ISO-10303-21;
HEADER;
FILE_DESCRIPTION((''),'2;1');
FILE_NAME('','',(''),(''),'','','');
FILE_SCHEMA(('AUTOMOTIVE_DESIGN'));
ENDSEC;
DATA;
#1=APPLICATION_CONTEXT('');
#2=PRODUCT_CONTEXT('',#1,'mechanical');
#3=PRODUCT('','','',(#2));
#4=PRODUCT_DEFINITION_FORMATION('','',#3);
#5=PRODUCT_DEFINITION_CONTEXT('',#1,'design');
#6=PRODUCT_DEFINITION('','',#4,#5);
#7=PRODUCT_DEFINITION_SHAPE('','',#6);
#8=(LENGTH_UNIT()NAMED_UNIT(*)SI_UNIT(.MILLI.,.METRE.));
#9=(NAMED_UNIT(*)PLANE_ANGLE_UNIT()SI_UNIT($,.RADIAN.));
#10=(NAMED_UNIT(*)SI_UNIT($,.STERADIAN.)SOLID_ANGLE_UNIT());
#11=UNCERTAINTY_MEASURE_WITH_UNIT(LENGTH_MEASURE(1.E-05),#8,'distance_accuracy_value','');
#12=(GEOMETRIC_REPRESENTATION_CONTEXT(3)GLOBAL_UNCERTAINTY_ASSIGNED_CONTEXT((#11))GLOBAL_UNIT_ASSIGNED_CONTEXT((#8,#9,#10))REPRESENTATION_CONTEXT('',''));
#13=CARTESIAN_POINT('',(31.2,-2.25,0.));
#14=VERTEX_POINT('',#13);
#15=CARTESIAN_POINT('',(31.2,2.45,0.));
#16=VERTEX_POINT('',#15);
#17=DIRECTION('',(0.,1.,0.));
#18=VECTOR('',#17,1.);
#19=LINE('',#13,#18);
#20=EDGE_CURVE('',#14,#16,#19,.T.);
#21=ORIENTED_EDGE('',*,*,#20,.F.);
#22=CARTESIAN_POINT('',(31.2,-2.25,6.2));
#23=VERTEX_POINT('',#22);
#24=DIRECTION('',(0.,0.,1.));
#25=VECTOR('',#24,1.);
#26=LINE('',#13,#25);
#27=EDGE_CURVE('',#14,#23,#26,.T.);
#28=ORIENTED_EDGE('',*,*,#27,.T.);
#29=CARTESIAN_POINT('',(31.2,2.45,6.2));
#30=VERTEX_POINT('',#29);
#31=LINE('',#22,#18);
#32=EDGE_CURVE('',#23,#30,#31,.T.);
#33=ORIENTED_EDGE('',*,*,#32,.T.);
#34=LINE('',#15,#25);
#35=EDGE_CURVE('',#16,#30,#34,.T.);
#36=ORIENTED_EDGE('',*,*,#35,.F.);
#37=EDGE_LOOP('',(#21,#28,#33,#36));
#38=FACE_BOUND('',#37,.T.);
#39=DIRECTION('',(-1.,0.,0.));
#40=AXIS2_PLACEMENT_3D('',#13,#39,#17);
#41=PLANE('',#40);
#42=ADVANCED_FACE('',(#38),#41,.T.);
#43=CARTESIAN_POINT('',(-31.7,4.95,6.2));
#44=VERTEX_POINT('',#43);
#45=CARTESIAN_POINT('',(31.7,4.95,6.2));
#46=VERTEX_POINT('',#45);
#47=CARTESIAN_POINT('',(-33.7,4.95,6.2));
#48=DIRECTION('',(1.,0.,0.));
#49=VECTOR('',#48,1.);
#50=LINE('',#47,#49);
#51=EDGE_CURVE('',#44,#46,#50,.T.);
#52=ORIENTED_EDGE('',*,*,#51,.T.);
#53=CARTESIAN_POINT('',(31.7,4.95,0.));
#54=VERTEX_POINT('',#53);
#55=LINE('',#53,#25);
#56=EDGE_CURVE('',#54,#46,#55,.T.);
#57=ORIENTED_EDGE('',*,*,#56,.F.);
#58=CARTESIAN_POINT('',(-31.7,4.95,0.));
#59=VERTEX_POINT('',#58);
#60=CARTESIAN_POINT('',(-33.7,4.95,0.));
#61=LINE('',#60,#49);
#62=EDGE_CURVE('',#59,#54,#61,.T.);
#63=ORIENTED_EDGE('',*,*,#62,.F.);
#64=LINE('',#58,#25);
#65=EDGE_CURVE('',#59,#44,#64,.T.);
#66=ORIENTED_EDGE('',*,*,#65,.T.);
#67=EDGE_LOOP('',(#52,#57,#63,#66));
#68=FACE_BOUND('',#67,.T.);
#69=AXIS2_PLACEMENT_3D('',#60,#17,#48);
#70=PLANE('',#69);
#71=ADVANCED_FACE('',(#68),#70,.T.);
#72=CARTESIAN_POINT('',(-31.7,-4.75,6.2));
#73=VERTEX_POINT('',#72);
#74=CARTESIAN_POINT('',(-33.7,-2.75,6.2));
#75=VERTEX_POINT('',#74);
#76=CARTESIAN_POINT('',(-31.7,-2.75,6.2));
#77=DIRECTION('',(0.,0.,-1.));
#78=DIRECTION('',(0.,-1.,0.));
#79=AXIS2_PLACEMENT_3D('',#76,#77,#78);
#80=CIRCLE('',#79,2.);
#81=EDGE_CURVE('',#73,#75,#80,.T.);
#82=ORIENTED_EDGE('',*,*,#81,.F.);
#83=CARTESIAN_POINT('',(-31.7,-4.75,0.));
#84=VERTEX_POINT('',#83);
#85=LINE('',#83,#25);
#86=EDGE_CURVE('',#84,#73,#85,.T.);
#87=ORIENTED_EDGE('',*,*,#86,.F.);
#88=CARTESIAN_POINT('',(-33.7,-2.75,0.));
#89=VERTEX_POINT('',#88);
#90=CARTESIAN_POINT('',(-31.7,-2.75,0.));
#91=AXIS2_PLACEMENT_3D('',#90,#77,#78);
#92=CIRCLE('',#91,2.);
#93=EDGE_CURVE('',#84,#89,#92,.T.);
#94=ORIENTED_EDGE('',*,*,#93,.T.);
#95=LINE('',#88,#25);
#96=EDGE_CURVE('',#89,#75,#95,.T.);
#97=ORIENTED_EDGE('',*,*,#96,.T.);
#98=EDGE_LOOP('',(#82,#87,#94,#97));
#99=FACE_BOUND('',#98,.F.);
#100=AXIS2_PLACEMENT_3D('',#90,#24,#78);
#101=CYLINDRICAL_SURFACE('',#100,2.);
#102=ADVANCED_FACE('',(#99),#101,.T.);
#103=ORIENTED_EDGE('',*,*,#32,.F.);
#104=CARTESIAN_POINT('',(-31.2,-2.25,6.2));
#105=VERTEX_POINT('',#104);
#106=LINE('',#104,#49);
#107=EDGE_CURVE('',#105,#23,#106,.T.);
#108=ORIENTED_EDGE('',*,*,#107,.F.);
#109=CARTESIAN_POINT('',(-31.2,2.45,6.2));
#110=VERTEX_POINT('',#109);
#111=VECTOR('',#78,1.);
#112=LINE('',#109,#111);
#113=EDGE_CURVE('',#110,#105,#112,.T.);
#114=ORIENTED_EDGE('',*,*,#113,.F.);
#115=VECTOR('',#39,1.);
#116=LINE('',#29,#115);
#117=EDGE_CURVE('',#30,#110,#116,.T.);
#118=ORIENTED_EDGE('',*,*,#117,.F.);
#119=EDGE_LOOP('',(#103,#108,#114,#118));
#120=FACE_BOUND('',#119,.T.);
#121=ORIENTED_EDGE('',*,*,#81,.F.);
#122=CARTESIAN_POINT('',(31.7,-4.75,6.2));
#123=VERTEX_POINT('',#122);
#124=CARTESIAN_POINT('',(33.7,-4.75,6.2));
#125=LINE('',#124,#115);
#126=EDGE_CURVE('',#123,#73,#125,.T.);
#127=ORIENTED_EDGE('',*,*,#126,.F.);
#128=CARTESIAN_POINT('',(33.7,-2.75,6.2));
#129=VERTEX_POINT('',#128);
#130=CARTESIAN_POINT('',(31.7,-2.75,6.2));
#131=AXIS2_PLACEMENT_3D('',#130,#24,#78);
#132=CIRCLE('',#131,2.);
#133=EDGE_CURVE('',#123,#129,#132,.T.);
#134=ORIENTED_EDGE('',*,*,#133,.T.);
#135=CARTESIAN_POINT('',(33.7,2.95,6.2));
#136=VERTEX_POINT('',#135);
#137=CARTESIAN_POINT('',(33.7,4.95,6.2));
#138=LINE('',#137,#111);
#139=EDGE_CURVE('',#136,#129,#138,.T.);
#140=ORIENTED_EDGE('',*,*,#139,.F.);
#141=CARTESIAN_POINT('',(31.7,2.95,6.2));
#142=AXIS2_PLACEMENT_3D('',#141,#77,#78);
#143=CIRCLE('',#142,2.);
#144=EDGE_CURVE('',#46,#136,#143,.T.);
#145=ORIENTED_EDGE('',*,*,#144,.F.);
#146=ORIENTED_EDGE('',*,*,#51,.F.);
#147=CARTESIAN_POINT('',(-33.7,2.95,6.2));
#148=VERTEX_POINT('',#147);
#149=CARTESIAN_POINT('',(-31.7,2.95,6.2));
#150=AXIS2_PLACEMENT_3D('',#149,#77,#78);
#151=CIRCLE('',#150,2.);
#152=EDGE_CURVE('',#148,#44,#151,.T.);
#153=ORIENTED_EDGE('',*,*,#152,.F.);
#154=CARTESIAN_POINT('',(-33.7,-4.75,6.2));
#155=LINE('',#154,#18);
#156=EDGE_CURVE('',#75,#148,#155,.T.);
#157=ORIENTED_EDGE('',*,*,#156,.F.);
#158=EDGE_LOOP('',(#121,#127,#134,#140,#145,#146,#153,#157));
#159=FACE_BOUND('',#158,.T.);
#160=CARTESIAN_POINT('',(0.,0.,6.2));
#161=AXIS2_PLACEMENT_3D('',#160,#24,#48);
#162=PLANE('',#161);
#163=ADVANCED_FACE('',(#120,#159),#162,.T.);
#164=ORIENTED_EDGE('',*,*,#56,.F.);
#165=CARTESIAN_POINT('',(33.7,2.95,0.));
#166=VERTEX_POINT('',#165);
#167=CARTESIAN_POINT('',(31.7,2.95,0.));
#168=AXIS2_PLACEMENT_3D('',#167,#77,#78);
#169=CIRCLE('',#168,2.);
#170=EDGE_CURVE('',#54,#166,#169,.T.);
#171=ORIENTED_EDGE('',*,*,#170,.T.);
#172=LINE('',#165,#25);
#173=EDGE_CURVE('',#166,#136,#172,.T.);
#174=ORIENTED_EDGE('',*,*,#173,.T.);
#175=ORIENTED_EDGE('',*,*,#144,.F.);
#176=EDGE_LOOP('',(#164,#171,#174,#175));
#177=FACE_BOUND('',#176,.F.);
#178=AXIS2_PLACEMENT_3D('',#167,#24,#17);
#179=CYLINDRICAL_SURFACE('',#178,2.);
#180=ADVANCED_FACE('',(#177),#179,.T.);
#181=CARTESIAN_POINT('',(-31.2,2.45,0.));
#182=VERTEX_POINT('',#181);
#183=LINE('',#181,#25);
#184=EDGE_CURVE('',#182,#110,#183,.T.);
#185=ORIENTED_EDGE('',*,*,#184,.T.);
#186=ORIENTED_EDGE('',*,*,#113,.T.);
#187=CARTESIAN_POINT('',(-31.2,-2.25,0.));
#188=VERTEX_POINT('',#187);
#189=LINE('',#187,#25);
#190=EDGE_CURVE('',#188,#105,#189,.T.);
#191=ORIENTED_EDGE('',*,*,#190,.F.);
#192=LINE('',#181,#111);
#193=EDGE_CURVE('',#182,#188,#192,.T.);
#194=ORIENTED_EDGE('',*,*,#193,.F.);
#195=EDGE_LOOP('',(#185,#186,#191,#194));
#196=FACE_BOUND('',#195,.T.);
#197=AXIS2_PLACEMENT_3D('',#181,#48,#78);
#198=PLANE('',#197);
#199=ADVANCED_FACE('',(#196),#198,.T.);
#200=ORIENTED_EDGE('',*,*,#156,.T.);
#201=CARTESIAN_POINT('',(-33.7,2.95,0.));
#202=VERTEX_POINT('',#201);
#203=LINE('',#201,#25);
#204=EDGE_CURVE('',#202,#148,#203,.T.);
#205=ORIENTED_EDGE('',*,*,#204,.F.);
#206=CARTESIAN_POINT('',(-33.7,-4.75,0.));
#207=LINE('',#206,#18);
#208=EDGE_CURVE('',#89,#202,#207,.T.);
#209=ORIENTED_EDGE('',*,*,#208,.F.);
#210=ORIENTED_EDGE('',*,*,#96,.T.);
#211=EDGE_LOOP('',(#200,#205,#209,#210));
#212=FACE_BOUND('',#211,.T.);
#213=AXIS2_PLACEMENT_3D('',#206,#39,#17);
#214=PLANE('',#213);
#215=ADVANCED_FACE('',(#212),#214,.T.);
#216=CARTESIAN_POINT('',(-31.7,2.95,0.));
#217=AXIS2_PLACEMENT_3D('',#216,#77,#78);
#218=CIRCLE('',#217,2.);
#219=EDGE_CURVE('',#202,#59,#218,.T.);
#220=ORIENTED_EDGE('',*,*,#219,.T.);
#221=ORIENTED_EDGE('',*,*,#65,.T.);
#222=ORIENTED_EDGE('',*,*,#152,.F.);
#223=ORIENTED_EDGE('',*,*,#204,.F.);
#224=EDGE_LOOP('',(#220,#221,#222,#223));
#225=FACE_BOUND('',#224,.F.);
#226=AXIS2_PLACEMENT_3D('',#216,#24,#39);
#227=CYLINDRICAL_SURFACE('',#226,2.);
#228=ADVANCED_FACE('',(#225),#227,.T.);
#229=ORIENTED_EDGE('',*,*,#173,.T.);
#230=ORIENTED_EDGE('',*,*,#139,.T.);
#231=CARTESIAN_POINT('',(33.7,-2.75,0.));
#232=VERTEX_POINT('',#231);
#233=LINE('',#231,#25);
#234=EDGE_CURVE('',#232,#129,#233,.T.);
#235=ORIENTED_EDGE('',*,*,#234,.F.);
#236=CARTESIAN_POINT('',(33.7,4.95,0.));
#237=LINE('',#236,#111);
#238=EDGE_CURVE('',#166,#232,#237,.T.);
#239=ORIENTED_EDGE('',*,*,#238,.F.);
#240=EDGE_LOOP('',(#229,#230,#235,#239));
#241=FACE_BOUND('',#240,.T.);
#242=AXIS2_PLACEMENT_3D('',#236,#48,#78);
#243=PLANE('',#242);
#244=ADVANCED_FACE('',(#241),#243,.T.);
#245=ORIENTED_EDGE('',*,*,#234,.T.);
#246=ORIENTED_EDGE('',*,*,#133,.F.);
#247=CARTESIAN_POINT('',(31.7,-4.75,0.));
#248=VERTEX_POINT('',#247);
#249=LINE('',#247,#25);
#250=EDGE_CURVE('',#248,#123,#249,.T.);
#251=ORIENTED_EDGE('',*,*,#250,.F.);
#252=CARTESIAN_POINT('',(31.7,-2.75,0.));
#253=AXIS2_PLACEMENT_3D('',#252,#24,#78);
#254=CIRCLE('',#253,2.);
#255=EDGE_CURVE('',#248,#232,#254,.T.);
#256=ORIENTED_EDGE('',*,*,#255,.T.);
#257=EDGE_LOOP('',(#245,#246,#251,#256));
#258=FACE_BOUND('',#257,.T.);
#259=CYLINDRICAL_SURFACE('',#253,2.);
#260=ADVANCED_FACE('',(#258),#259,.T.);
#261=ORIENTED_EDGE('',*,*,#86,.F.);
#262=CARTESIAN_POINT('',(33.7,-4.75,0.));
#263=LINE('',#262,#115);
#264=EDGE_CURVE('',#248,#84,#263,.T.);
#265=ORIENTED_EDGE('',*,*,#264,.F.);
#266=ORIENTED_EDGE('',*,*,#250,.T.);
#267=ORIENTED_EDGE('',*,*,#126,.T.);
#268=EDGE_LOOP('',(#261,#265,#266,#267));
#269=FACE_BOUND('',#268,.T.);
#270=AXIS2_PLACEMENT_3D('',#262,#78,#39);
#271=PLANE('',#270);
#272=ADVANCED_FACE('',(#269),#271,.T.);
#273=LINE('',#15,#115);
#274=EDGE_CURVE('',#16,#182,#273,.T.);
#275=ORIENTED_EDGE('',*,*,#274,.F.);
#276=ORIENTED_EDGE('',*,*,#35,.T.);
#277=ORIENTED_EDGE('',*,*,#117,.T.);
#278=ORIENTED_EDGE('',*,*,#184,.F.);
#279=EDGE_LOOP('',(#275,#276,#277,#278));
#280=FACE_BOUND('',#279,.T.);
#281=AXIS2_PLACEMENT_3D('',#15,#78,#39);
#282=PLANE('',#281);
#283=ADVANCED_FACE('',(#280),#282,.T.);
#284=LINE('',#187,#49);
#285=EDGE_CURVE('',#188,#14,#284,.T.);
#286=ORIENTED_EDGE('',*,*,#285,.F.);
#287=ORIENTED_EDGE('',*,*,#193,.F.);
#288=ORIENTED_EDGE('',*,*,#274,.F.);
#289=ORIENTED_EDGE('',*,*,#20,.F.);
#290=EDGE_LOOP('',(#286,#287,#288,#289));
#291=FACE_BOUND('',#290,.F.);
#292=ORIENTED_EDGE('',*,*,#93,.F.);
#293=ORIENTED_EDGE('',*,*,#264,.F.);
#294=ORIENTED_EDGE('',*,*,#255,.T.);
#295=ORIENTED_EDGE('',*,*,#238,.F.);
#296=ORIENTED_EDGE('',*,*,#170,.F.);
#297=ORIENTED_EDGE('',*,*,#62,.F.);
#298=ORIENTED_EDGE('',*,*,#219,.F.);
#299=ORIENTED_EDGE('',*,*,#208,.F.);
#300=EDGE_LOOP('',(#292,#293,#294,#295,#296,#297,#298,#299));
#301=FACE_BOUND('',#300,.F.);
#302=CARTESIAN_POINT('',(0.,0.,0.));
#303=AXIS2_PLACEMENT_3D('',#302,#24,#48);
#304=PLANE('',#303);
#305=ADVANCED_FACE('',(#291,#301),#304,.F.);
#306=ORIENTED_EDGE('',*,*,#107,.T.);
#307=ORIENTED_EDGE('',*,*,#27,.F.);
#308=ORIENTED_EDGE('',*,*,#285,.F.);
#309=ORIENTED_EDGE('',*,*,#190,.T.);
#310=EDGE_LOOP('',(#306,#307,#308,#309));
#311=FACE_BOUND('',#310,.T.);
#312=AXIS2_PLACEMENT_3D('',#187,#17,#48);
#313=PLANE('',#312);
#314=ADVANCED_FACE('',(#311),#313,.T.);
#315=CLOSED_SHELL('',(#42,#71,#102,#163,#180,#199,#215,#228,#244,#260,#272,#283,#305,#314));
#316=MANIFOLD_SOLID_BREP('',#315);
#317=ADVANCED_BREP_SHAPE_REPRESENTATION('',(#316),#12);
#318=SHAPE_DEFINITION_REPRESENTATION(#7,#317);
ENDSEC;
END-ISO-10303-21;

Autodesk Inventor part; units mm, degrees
ref_plane "YZ Plane" through (0, 0, 0) normal (1, 0, 0) x (0, 1, 0)
ref_plane "XZ Plane" through (0, 0, 0) normal (0, 1, 0) x (-1, 0, 0)
ref_plane "XY Plane" through (0, 0, 0) normal (0, 0, 1) x (1, 0, 0)
sketch "Sketch1" plane through (0, 0, 0) normal (0, 0, 1) x (1, 0, 0)
  line L0 (30.7, 1.95) -> (-30.7, 1.95) projected
  line L1 (-30.7, 1.95) -> (-30.7, -1.75) projected
  line L2 (-30.7, 1.95) -> (30.7, 1.95)
  line L3 (30.7, 1.95) -> (30.7, -1.75)
  line L4 (30.7, -1.75) -> (-30.7, -1.75)
  line L5 (-30.7, -1.75) -> (-30.7, 1.95)
  line L6 (-31.2, -2.25) -> (31.2, -2.25)
  line L7 (31.2, -2.25) -> (31.2, 2.45)
  line L8 (31.2, 2.45) -> (-31.2, 2.45)
  line L9 (-31.2, 2.45) -> (-31.2, -2.25)
  line L10 (33.7, -4.75) -> (-33.7, -4.75)
  line L11 (-33.7, -4.75) -> (-33.7, 4.95)
  line L12 (-33.7, 4.95) -> (33.7, 4.95)
  line L13 (33.7, 4.95) -> (33.7, -4.75)
  point P0 (0, 0)
  dimension "d0" = 0.5
  dimension "d1" = 2.5
extrude "Extrusion1" add sketch "Sketch1" along normal blind 6.2 contours L10 L11 L12 L13
fillet "Fillet1" radius 2 4 edges at (33.7, -4.75, 3.1) (-33.7, -4.75, 3.1) (-33.7, 4.95, 3.1) (33.7, 4.95, 3.1)
properties part number "spacer_3DPrint"
